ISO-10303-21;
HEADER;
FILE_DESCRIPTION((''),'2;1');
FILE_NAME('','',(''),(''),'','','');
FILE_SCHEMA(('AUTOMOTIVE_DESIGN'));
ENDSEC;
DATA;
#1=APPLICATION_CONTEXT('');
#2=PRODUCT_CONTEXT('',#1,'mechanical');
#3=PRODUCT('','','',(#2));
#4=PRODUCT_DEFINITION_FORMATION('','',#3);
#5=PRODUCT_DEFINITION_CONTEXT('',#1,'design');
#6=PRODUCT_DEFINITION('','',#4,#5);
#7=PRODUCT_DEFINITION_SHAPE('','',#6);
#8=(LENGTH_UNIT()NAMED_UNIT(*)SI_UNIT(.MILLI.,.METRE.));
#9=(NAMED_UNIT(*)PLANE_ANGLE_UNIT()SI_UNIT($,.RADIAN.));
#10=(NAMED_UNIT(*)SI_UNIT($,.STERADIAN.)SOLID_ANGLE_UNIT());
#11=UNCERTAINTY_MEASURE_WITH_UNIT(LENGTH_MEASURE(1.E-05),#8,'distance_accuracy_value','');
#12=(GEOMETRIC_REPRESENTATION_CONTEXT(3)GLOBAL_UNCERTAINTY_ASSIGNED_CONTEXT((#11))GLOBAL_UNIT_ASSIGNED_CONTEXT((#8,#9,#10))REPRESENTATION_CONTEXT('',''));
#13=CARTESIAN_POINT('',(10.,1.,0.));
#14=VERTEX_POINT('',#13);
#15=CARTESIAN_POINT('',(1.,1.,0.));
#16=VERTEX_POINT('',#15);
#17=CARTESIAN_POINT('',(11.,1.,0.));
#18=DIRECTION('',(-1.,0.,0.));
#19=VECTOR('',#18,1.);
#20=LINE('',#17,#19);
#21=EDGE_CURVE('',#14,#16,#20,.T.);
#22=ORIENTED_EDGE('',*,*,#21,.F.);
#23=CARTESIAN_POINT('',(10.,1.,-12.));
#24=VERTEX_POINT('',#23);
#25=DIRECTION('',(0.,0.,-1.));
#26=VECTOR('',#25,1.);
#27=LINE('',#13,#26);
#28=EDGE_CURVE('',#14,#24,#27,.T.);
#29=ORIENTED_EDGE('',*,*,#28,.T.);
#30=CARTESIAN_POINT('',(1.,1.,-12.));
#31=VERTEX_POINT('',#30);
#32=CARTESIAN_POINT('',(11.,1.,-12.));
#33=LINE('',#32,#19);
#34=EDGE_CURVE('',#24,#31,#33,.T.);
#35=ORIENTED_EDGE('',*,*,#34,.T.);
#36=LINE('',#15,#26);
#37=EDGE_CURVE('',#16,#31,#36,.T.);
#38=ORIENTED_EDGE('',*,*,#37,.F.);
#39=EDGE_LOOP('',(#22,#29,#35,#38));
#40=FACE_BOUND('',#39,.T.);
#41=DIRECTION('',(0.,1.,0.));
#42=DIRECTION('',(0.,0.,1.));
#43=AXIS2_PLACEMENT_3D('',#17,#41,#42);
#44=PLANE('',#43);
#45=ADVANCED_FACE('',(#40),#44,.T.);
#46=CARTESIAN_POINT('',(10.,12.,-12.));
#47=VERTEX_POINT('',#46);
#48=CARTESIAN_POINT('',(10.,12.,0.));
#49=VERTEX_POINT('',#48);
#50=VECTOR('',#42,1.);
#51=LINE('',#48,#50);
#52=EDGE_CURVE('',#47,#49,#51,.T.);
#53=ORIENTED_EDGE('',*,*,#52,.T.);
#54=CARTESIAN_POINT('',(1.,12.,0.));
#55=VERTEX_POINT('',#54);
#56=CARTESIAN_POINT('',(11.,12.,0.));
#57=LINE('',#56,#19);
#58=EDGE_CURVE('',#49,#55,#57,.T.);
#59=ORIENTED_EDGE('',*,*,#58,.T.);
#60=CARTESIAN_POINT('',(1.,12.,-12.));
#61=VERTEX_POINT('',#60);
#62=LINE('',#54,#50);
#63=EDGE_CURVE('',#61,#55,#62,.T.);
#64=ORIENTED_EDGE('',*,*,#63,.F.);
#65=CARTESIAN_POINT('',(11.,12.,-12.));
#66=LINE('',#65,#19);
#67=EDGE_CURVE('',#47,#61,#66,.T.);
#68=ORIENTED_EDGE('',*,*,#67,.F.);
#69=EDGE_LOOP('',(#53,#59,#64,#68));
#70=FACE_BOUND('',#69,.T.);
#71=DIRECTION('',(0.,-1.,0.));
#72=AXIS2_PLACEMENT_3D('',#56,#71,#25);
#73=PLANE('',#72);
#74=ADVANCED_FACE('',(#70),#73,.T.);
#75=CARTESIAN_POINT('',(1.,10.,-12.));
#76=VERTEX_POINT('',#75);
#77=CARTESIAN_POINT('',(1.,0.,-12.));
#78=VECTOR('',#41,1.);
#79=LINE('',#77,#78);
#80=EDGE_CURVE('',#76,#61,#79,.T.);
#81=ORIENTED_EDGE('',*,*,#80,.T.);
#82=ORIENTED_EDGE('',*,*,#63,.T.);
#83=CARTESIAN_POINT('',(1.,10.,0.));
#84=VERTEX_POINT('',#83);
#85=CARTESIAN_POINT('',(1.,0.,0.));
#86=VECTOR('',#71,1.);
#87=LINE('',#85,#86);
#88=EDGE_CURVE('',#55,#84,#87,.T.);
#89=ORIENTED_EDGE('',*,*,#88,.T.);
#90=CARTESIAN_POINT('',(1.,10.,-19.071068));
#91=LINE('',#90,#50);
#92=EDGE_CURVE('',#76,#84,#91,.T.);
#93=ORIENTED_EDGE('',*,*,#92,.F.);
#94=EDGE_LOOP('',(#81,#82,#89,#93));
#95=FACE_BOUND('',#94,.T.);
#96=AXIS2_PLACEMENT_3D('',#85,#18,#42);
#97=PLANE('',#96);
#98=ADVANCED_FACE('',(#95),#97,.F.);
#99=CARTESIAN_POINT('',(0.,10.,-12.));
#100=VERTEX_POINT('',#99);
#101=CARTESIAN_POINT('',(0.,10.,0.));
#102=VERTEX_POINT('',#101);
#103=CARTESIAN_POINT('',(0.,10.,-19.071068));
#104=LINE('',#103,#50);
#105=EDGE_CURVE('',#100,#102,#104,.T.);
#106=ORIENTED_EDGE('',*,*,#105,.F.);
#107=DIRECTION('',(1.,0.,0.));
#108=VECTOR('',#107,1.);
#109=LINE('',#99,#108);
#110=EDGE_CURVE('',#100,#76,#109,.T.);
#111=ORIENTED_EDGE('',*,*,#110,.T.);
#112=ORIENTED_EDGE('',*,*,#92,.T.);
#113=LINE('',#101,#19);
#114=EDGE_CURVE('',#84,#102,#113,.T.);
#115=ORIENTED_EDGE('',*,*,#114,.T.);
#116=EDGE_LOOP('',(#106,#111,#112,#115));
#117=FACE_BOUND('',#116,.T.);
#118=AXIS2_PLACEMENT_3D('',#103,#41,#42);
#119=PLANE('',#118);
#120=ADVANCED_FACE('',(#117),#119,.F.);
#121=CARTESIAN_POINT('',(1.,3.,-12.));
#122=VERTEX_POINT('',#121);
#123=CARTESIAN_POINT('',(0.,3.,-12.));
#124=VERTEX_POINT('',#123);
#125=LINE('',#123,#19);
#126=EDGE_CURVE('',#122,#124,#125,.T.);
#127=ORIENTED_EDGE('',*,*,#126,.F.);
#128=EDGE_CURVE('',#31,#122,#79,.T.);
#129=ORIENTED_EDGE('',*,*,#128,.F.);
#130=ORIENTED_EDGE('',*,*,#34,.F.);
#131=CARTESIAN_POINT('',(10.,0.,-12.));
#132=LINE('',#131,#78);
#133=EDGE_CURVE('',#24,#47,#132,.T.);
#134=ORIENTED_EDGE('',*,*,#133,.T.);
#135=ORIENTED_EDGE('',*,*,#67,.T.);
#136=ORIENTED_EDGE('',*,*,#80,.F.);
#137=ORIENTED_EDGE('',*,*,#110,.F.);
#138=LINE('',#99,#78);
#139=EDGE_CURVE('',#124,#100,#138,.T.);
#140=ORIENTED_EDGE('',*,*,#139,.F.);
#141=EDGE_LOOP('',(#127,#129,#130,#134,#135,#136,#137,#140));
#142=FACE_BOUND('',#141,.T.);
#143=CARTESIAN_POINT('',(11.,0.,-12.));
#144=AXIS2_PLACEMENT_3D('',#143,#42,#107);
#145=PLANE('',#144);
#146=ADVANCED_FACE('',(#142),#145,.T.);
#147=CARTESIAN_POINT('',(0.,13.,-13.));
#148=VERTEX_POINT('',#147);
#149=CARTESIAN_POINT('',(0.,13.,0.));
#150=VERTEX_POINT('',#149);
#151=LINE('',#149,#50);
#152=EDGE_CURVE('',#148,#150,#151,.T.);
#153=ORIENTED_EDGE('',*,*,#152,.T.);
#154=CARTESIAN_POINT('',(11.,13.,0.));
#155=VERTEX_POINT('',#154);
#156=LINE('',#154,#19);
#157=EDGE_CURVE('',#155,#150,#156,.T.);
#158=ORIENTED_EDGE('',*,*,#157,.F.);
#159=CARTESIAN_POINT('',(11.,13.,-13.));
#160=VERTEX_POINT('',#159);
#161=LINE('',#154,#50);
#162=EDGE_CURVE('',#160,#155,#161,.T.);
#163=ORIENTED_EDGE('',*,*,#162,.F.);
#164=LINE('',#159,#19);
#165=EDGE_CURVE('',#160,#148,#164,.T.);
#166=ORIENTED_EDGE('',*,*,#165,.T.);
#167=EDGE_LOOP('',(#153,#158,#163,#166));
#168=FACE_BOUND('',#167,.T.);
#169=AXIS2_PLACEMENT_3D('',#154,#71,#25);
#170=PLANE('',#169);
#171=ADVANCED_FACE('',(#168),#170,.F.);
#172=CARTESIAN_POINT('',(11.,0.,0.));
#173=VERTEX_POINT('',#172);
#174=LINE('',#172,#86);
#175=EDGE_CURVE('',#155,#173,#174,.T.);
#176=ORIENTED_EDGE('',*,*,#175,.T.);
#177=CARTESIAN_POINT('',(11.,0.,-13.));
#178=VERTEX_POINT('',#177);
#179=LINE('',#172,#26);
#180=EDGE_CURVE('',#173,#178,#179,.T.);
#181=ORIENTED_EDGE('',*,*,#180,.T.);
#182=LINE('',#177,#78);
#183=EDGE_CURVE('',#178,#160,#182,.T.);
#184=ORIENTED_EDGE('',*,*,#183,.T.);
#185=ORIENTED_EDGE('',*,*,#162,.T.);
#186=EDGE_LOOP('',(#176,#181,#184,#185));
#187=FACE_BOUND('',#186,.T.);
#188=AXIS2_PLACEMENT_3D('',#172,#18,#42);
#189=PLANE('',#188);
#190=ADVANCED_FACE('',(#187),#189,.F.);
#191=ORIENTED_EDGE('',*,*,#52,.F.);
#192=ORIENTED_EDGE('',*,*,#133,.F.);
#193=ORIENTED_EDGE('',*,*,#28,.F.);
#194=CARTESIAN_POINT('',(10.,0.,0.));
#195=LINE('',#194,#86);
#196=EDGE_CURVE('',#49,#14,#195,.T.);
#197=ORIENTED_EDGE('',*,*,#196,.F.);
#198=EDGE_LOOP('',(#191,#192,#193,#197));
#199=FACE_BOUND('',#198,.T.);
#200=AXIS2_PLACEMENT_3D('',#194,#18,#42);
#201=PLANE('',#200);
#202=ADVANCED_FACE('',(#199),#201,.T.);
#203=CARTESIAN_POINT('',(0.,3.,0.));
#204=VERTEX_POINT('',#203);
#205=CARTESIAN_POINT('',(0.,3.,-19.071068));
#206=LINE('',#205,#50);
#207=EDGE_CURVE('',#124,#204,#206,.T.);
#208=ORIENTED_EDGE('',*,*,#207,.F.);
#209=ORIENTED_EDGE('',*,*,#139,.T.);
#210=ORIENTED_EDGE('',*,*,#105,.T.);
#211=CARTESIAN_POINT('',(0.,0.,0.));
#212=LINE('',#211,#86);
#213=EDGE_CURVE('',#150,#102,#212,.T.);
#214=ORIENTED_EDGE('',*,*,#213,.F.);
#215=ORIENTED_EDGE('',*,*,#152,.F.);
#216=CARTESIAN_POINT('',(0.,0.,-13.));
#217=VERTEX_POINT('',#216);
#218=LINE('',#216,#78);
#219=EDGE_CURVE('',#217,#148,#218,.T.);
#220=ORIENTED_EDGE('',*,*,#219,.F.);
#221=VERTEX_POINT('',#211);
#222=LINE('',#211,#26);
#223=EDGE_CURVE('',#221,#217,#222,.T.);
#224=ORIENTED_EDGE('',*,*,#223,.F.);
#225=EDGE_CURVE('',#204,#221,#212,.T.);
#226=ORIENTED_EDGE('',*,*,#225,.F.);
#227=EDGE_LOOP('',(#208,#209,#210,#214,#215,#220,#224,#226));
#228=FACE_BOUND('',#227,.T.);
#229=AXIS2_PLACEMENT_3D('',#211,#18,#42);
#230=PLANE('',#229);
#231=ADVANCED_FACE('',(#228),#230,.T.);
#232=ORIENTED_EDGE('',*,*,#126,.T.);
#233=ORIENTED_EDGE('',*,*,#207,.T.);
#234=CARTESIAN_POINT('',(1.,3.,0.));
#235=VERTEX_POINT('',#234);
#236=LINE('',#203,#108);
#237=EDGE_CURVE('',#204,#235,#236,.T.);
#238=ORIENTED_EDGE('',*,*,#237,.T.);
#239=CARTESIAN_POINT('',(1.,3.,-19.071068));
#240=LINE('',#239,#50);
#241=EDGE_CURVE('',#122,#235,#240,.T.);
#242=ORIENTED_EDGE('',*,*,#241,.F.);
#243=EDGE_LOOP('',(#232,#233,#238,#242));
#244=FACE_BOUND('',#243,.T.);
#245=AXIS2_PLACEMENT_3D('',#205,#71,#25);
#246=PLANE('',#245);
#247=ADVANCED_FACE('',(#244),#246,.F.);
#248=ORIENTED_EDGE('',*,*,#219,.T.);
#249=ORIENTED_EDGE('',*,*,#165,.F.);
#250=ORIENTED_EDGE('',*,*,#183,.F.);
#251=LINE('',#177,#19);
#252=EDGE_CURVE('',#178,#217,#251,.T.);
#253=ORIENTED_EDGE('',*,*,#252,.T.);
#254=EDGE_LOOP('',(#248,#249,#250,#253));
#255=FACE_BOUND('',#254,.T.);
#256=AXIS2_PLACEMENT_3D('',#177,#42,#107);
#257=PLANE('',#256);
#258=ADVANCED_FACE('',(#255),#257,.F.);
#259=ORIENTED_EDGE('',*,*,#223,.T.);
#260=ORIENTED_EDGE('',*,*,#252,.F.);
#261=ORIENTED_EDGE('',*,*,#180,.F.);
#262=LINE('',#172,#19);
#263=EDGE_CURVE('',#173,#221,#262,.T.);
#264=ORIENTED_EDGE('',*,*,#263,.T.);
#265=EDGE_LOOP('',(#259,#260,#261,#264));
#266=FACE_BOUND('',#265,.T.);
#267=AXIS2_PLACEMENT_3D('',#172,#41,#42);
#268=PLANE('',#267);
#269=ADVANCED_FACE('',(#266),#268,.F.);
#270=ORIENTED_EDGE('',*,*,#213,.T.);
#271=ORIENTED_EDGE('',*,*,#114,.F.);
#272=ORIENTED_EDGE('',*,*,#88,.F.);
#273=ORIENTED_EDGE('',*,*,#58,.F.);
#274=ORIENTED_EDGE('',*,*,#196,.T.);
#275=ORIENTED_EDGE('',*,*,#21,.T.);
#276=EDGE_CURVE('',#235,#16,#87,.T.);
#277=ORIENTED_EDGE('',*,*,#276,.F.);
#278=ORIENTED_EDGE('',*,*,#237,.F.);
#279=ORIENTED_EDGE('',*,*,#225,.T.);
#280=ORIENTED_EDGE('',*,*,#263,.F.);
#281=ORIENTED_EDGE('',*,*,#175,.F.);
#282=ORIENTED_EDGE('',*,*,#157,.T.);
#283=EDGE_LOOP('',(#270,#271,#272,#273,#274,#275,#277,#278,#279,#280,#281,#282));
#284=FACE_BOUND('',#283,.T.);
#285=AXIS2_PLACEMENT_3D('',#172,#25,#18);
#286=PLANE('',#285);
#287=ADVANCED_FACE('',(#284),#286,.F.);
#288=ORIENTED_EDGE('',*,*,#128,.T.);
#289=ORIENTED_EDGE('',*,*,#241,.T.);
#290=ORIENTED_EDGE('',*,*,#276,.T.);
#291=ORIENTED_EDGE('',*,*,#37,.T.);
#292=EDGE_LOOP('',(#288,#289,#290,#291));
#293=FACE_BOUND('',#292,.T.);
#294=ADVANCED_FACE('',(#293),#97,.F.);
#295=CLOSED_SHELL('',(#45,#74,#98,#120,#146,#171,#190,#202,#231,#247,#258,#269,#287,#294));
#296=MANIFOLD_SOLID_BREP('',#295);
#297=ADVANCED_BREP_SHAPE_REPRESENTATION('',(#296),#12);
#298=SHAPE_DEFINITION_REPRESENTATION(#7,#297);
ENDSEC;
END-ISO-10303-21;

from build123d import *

# Parameters (mm, degrees)
SKIZZE1_W                       = 13
SKIZZE1_H                       = 13
AUFSATZ_LINEAR_AUSTRAGEN1_DEPTH = 11
WANDUNG1_T                      = -1
SKIZZE2_W                       = 1
SKIZZE2_H                       = 7
SCHNITT_LINEAR_AUSTRAGEN1_DEPTH = 12


with BuildPart() as part:
    # Skizze1 → Aufsatz-Linear austragen1 (new body)
    with BuildSketch(Plane(origin=(0, 0, 0), x_dir=(0, 0, -1), z_dir=(1, 0, 0))):
        with Locations((6.5, 6.5)):
            Rectangle(SKIZZE1_W, SKIZZE1_H)
    extrude(amount=AUFSATZ_LINEAR_AUSTRAGEN1_DEPTH)

    # Wandung1
    wandung1_openings = [part.faces().sort_by_distance(p)[0] for p in [
        (5.5, 6.5, 0),
    ]]
    offset(amount=WANDUNG1_T, openings=wandung1_openings, kind=Kind.INTERSECTION)

    # Skizze2 → Schnitt-Linear austragen1 (cut)
    with BuildSketch(Plane.XY):
        with Locations((0.5, 6.5)):
            Rectangle(SKIZZE2_W, SKIZZE2_H)
    extrude(amount=-SCHNITT_LINEAR_AUSTRAGEN1_DEPTH, mode=Mode.SUBTRACT)


solid = part.part
